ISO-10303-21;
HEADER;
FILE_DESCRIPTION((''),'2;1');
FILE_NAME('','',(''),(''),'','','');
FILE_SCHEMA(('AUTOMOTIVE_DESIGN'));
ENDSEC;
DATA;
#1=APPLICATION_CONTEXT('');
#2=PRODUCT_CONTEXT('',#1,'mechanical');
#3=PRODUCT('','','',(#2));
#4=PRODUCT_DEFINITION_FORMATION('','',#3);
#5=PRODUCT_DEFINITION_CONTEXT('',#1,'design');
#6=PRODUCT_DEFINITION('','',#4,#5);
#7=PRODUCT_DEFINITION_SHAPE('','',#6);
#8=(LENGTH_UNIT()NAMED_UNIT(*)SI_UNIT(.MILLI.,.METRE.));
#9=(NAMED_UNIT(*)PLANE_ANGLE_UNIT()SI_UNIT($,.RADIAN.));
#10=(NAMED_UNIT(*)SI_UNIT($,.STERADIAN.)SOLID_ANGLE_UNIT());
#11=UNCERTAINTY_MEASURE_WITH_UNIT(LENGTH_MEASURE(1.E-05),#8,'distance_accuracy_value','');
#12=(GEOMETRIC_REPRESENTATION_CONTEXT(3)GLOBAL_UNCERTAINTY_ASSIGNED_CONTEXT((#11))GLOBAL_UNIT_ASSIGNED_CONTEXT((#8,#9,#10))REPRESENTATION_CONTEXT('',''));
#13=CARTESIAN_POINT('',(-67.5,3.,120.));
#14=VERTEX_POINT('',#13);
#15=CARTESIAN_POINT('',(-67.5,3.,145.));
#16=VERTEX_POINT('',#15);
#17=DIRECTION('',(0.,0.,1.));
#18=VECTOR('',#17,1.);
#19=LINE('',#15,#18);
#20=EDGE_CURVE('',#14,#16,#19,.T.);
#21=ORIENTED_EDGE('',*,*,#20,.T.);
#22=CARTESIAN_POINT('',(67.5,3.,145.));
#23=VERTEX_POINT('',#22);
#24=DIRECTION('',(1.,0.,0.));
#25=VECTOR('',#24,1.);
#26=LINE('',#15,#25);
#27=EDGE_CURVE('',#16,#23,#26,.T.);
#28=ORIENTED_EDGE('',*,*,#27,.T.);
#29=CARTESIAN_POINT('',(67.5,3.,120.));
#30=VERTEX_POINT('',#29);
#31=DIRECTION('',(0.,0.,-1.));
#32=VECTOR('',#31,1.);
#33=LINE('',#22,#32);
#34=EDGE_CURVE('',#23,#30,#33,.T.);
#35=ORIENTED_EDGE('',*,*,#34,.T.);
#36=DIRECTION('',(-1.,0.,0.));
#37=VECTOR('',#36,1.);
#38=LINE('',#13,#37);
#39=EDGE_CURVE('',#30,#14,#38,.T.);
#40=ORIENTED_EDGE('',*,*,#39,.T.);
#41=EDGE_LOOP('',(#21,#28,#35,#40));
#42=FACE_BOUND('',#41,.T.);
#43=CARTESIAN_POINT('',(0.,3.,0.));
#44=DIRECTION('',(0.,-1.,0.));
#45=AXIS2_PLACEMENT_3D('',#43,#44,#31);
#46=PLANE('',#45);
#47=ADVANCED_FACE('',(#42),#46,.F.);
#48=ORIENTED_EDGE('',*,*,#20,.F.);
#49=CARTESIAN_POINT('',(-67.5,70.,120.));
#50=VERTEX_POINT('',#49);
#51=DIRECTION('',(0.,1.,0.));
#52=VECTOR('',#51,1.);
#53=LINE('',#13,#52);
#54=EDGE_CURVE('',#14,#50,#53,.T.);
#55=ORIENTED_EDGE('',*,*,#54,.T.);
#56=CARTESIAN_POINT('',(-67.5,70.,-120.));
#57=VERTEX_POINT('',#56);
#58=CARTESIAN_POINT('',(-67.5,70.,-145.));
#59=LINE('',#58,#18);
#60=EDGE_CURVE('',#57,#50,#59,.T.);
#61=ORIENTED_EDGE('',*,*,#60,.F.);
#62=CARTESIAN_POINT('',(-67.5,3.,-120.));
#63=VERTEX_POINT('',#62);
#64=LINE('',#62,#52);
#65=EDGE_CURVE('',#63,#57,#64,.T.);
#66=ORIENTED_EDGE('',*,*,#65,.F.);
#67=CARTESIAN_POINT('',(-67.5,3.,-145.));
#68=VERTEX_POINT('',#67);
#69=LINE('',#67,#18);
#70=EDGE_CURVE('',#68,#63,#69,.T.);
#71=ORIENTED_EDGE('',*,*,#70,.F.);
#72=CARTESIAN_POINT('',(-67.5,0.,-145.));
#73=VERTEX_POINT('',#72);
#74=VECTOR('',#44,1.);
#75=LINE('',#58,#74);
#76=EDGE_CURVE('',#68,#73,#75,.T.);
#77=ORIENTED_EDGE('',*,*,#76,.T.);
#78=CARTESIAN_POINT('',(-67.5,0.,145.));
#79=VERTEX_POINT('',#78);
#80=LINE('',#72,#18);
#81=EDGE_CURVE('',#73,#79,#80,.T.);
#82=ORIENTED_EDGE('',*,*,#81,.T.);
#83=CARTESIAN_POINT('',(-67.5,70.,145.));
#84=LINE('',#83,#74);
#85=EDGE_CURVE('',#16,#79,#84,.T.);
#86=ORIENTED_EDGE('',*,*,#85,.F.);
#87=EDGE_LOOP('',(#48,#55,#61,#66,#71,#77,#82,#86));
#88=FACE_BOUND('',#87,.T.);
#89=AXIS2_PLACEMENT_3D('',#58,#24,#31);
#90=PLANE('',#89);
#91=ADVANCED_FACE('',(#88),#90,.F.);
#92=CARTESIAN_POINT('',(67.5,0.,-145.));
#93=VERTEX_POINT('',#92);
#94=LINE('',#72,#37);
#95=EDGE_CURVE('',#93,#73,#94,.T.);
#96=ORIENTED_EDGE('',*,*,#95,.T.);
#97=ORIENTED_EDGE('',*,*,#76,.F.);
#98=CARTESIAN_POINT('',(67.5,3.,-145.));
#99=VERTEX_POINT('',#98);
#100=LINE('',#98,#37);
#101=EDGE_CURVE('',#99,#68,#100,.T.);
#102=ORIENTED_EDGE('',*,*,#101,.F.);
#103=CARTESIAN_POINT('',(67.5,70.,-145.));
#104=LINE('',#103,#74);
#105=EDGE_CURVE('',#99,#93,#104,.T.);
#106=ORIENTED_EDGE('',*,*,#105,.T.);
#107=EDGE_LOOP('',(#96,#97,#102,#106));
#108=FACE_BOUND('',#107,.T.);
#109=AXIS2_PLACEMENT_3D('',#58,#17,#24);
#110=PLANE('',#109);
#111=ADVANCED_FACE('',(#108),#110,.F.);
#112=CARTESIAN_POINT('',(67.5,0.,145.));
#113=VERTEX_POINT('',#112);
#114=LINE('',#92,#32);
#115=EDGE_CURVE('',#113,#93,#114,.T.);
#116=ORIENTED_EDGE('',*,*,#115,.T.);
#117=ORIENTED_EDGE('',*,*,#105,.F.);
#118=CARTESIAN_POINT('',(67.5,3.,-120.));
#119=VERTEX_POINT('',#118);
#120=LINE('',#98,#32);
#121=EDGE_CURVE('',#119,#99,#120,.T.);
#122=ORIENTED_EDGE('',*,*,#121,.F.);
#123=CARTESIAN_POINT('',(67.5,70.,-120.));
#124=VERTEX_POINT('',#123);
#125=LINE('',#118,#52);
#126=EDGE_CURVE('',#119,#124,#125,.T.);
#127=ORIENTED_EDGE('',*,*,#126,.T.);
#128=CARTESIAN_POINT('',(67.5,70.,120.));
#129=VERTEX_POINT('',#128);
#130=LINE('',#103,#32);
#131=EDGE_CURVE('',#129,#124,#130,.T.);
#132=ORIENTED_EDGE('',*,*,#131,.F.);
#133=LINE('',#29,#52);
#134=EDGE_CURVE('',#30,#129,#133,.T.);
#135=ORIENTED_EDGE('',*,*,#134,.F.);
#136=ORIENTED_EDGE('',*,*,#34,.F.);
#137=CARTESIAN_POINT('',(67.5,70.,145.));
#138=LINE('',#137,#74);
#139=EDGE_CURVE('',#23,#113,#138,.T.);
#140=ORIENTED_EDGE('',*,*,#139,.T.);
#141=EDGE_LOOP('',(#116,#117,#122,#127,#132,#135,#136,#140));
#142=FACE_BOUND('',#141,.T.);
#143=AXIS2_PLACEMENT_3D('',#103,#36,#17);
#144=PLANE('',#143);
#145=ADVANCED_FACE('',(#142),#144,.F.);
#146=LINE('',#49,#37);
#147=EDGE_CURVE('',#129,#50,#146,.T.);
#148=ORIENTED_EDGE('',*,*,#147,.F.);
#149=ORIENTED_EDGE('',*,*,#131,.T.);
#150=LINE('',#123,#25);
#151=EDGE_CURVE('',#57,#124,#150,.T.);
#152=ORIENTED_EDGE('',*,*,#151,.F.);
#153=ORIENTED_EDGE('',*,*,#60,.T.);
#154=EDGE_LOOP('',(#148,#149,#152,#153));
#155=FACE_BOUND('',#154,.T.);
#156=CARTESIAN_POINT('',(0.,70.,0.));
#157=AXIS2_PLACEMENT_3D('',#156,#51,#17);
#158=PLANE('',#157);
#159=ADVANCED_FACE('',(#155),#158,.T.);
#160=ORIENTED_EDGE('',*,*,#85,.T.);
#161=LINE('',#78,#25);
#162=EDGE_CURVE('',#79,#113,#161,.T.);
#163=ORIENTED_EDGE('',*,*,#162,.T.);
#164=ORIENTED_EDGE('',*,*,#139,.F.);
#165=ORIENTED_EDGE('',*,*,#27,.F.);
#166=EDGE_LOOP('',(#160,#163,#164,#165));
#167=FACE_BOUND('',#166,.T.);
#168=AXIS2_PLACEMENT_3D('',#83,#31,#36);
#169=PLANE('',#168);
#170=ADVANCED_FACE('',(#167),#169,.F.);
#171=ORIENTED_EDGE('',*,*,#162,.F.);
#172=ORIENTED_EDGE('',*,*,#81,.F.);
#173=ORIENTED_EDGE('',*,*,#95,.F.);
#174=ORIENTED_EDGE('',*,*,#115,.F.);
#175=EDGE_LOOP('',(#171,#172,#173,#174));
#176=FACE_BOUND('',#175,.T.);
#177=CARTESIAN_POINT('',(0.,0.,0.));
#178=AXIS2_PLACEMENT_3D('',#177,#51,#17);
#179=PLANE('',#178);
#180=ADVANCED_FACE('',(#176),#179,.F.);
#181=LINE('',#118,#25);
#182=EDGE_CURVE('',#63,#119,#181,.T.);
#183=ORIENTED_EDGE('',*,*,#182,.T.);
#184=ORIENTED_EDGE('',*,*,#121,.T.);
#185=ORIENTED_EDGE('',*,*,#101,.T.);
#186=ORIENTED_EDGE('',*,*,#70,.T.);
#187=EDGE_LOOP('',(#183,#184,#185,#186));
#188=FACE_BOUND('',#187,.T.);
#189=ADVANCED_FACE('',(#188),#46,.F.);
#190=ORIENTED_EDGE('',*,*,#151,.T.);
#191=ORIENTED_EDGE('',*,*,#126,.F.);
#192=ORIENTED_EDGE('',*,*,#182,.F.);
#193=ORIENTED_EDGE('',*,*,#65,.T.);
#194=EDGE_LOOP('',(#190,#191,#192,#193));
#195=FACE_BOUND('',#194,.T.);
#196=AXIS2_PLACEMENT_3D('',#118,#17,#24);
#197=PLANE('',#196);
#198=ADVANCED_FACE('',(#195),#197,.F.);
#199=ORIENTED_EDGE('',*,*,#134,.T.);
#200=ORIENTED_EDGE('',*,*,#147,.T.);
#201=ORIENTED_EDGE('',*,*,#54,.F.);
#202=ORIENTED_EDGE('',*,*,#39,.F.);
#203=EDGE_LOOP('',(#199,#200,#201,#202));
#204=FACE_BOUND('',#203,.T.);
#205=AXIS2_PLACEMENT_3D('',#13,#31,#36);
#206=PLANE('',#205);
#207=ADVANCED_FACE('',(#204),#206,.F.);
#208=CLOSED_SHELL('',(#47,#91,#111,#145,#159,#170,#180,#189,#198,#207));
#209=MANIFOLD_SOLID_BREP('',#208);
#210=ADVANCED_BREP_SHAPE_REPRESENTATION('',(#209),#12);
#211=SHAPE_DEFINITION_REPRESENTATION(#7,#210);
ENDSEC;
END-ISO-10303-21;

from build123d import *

# Parameters (mm, degrees)
SKETCH2_W           = 135
SKETCH2_H           = 290
BOSS_EXTRUDE1_DEPTH = 70
SKETCH4_W           = 135
SKETCH4_H           = 25
CUT_EXTRUDE1_DEPTH  = 67


with BuildPart() as part:
    # Sketch2 → Boss-Extrude1 (new body)
    with BuildSketch(Plane(origin=(0, 0, 0), x_dir=(1, 0, 0), z_dir=(0, 1, 0))):
        Rectangle(SKETCH2_W, SKETCH2_H)
    extrude(amount=BOSS_EXTRUDE1_DEPTH)

    # Sketch4 → Cut-Extrude1 (cut)
    with BuildSketch(Plane(origin=(0, 70, 0), x_dir=(1, 0, 0), z_dir=(0, 1, 0))):
        with Locations((0, -132.5)):
            Rectangle(SKETCH4_W, SKETCH4_H)
        with Locations((0, 132.5)):
            Rectangle(SKETCH4_W, SKETCH4_H)
    extrude(amount=-CUT_EXTRUDE1_DEPTH, mode=Mode.SUBTRACT)


solid = part.part
